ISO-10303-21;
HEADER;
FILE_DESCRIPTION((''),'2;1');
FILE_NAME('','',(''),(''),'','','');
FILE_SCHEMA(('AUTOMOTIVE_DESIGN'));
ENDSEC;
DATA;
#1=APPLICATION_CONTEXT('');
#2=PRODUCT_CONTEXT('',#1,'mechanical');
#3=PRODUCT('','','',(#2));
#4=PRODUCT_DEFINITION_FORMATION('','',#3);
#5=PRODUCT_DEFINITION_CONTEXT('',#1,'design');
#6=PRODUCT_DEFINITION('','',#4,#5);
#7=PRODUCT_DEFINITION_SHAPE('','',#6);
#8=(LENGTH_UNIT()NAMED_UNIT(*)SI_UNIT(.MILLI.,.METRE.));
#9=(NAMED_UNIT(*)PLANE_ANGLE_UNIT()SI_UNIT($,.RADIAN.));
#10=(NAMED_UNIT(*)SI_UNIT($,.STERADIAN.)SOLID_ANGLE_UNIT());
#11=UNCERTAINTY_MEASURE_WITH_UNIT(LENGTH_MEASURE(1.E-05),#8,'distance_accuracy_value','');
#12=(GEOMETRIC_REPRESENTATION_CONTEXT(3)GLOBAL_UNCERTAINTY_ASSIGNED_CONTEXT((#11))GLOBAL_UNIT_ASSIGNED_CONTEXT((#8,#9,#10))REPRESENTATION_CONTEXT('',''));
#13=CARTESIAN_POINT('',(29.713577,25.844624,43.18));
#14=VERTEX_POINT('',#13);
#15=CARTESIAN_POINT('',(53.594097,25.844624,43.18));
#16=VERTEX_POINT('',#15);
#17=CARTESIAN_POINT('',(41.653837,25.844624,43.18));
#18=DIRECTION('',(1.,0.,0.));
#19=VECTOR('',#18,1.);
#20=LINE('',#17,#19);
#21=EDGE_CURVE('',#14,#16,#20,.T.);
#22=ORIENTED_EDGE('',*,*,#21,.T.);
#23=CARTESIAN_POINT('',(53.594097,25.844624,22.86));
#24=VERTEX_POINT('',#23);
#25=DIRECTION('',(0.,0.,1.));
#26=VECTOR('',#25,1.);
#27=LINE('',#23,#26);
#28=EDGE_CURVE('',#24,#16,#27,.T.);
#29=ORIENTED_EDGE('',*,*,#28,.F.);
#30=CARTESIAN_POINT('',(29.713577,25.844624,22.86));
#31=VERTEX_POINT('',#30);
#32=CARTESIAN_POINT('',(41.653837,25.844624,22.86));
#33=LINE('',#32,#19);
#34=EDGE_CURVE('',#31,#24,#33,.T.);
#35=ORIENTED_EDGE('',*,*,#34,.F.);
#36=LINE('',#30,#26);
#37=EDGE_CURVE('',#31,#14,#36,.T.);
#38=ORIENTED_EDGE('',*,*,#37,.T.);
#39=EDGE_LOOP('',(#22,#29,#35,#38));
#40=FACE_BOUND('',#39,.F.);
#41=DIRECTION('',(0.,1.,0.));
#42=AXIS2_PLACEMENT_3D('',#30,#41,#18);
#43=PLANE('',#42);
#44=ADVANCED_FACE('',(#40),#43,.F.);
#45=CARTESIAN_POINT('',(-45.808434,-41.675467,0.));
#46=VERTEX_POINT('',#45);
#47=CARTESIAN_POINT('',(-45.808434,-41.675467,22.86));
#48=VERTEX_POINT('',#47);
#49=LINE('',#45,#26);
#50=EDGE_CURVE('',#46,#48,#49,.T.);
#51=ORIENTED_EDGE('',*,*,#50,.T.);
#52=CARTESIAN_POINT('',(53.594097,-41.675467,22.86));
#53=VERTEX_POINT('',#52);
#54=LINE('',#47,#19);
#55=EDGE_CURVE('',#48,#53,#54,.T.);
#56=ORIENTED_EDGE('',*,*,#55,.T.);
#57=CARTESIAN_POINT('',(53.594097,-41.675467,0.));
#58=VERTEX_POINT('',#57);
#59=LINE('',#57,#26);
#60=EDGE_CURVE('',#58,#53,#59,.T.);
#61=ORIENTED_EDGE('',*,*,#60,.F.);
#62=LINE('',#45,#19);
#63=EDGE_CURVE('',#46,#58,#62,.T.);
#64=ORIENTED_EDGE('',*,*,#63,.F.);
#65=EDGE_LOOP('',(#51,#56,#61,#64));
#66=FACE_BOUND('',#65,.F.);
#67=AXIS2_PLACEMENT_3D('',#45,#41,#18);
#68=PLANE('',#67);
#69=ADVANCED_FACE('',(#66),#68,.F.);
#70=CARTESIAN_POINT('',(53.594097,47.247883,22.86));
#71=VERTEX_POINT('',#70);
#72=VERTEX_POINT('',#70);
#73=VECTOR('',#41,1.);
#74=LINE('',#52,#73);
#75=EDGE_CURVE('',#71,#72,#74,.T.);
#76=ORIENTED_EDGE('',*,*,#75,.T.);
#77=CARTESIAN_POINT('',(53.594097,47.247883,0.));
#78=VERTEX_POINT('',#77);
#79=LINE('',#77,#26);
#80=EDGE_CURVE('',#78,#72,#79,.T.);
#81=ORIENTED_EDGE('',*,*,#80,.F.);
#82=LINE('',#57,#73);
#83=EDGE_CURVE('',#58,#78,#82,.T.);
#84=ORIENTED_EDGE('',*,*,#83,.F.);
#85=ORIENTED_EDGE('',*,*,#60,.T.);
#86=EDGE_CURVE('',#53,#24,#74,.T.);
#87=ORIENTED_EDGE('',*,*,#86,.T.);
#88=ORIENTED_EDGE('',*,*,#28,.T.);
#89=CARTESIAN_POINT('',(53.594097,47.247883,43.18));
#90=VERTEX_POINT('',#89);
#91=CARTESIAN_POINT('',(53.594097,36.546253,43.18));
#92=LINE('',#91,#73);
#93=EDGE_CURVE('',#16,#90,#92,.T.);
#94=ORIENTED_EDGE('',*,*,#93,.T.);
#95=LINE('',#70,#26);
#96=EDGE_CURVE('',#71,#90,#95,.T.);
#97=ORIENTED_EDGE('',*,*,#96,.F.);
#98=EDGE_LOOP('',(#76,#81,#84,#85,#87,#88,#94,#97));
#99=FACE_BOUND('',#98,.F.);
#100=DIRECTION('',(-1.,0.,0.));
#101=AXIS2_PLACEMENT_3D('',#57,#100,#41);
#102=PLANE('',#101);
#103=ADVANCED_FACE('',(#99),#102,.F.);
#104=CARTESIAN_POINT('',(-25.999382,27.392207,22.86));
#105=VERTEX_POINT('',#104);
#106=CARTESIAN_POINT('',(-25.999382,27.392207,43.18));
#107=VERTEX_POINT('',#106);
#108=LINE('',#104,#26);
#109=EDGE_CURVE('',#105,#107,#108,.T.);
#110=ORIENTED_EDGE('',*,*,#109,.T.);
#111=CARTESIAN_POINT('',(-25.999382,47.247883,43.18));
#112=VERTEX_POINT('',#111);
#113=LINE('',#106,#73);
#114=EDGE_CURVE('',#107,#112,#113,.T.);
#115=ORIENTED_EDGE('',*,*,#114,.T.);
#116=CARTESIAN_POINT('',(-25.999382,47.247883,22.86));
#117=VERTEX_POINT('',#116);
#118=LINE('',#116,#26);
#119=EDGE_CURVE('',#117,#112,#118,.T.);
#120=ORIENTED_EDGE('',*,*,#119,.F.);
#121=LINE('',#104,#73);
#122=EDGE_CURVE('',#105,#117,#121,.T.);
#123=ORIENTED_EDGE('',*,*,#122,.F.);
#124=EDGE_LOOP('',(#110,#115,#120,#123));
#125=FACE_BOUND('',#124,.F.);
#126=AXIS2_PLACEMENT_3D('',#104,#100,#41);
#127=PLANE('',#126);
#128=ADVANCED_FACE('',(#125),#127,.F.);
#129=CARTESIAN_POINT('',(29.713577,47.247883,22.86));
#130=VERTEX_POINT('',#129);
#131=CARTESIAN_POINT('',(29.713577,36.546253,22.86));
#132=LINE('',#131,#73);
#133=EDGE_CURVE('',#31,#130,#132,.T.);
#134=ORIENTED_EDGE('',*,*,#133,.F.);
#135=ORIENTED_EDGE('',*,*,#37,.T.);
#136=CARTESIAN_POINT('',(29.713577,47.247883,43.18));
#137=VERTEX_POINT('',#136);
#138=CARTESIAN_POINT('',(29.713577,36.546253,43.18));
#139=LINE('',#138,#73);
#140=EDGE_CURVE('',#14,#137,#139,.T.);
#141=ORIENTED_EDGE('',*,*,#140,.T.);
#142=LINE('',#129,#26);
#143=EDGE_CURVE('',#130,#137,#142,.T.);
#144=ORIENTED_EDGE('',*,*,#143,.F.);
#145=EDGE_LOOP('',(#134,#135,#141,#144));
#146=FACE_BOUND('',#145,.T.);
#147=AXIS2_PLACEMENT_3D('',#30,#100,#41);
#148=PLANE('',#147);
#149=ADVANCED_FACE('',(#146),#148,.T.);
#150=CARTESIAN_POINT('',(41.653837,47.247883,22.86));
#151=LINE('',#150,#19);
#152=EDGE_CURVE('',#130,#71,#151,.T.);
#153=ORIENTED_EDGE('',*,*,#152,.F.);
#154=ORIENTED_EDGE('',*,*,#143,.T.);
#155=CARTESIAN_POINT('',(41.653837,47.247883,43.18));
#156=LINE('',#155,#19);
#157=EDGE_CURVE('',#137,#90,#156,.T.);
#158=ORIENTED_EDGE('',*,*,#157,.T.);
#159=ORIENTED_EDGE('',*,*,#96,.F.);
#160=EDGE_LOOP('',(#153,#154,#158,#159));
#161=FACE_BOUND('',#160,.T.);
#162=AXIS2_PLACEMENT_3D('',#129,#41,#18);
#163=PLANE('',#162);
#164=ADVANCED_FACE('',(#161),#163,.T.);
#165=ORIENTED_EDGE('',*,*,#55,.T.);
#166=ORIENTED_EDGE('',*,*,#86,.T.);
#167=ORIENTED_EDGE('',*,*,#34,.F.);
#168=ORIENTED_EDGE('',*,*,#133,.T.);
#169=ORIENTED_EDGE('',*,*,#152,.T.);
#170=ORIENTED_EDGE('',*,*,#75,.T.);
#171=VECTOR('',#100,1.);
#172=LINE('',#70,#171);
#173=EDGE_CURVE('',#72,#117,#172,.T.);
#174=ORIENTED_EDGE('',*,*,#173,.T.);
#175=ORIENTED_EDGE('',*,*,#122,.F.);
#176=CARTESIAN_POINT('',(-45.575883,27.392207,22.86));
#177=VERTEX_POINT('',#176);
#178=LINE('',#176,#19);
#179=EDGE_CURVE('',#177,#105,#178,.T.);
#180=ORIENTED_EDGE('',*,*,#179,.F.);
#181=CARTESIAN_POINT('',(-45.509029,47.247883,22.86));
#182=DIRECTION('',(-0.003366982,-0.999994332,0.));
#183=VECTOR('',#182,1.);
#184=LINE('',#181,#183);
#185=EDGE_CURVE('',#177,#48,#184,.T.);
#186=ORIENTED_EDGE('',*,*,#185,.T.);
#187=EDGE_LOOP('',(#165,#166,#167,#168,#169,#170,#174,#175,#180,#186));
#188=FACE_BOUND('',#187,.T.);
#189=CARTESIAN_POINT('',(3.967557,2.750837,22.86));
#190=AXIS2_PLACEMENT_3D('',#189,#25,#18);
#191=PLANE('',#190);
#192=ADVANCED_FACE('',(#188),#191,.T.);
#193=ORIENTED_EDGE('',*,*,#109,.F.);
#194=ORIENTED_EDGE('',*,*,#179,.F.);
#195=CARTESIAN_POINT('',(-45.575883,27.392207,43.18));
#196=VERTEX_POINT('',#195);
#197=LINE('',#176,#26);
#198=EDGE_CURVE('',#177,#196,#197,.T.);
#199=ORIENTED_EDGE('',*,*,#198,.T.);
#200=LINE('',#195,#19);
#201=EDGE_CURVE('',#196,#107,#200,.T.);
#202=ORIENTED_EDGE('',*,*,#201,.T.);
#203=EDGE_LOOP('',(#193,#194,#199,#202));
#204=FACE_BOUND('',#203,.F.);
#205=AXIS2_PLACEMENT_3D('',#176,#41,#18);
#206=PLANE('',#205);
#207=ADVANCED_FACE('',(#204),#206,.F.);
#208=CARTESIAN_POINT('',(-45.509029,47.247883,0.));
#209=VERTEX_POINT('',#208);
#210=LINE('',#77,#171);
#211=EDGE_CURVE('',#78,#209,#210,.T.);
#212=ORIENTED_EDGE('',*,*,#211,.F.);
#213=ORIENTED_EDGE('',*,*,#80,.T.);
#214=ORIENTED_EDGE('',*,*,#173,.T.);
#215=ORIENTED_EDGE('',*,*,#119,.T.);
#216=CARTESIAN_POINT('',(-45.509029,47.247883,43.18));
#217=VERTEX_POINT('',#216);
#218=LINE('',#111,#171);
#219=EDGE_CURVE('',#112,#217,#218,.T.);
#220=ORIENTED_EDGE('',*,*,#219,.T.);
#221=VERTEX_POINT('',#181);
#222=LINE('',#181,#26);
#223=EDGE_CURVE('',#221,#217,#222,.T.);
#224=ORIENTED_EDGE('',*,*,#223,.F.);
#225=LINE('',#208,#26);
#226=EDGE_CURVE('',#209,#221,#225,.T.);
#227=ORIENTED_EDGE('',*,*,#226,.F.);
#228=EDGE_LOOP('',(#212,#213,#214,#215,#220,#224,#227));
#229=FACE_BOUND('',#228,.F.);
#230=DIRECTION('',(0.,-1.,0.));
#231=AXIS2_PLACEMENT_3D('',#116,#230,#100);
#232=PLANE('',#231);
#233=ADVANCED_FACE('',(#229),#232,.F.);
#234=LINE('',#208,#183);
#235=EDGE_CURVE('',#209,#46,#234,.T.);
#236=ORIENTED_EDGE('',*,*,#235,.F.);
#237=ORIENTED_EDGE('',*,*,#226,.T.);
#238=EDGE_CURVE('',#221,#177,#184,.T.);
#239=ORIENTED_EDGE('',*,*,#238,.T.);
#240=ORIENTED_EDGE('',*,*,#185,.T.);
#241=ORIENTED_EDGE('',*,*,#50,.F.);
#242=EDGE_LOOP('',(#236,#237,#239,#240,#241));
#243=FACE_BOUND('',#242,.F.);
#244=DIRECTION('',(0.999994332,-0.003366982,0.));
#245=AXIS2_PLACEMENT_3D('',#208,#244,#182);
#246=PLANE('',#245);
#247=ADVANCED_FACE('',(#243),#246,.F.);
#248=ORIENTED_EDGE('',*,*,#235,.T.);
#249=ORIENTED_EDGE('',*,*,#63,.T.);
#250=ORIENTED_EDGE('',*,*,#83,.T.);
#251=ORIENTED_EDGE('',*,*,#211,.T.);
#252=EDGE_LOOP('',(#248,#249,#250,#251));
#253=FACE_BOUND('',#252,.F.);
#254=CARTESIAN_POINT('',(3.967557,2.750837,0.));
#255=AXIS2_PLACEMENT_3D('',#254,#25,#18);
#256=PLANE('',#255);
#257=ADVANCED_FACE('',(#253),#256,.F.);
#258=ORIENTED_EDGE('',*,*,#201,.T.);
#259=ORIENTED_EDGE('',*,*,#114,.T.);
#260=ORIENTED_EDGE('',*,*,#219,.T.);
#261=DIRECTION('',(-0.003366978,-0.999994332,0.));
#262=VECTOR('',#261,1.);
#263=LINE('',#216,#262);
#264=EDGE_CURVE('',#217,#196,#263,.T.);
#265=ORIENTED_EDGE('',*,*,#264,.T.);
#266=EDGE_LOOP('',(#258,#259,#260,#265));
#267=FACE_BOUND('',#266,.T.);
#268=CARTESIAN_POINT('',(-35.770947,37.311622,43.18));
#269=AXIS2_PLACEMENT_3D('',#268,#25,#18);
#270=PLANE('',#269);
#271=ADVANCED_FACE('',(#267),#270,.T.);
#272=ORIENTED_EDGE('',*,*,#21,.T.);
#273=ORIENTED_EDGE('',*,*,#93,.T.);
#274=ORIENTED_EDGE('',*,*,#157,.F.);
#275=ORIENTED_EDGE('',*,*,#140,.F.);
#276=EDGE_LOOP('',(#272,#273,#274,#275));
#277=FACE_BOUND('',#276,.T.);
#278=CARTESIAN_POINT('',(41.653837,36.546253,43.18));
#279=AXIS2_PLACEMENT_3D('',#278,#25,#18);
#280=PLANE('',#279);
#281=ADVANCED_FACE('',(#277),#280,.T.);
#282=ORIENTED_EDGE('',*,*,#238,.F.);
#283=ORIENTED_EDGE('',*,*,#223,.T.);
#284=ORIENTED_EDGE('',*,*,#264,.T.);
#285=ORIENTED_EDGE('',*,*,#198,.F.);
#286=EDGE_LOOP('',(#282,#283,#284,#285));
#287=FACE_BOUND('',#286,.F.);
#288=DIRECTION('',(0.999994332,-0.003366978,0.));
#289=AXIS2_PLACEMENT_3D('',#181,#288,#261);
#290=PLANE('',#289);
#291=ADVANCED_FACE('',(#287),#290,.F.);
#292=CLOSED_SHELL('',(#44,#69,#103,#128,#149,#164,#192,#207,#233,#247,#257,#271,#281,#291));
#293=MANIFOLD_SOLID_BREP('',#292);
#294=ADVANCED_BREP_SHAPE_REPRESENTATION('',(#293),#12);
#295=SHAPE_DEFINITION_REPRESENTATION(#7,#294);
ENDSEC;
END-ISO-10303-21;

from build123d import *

# Parameters (mm, degrees)
F1_DEPTH = 22.86
F2_W     = 23.88052
F2_H     = 21.403259
F3_DEPTH = 20.32
F5_DEPTH = 20.32


with BuildPart() as f1:
    # F0 (on Top) → F1 (new body)
    with BuildSketch(Plane.XY):
        Polygon((-45.509029, 47.247883), (-45.808434, -41.675467), (53.594097, -41.675467), (53.594097, 47.247883), align=None)
    extrude(amount=F1_DEPTH)

    # F2 (on face) → F3 (join)
    with BuildSketch(Plane.XY.offset(22.86)):
        with Locations((41.653837, 36.546253)):
            Rectangle(F2_W, F2_H)
    extrude(amount=F3_DEPTH)

    # F4 (on face) → F5 (join)
    with BuildSketch(Plane.XY.offset(22.86)):
        Polygon((-25.999382, 27.392207), (-25.999382, 47.247883), (-45.509029, 47.247883), (-45.575883, 27.392207), align=None)
    extrude(amount=F5_DEPTH)


solid = f1.part
